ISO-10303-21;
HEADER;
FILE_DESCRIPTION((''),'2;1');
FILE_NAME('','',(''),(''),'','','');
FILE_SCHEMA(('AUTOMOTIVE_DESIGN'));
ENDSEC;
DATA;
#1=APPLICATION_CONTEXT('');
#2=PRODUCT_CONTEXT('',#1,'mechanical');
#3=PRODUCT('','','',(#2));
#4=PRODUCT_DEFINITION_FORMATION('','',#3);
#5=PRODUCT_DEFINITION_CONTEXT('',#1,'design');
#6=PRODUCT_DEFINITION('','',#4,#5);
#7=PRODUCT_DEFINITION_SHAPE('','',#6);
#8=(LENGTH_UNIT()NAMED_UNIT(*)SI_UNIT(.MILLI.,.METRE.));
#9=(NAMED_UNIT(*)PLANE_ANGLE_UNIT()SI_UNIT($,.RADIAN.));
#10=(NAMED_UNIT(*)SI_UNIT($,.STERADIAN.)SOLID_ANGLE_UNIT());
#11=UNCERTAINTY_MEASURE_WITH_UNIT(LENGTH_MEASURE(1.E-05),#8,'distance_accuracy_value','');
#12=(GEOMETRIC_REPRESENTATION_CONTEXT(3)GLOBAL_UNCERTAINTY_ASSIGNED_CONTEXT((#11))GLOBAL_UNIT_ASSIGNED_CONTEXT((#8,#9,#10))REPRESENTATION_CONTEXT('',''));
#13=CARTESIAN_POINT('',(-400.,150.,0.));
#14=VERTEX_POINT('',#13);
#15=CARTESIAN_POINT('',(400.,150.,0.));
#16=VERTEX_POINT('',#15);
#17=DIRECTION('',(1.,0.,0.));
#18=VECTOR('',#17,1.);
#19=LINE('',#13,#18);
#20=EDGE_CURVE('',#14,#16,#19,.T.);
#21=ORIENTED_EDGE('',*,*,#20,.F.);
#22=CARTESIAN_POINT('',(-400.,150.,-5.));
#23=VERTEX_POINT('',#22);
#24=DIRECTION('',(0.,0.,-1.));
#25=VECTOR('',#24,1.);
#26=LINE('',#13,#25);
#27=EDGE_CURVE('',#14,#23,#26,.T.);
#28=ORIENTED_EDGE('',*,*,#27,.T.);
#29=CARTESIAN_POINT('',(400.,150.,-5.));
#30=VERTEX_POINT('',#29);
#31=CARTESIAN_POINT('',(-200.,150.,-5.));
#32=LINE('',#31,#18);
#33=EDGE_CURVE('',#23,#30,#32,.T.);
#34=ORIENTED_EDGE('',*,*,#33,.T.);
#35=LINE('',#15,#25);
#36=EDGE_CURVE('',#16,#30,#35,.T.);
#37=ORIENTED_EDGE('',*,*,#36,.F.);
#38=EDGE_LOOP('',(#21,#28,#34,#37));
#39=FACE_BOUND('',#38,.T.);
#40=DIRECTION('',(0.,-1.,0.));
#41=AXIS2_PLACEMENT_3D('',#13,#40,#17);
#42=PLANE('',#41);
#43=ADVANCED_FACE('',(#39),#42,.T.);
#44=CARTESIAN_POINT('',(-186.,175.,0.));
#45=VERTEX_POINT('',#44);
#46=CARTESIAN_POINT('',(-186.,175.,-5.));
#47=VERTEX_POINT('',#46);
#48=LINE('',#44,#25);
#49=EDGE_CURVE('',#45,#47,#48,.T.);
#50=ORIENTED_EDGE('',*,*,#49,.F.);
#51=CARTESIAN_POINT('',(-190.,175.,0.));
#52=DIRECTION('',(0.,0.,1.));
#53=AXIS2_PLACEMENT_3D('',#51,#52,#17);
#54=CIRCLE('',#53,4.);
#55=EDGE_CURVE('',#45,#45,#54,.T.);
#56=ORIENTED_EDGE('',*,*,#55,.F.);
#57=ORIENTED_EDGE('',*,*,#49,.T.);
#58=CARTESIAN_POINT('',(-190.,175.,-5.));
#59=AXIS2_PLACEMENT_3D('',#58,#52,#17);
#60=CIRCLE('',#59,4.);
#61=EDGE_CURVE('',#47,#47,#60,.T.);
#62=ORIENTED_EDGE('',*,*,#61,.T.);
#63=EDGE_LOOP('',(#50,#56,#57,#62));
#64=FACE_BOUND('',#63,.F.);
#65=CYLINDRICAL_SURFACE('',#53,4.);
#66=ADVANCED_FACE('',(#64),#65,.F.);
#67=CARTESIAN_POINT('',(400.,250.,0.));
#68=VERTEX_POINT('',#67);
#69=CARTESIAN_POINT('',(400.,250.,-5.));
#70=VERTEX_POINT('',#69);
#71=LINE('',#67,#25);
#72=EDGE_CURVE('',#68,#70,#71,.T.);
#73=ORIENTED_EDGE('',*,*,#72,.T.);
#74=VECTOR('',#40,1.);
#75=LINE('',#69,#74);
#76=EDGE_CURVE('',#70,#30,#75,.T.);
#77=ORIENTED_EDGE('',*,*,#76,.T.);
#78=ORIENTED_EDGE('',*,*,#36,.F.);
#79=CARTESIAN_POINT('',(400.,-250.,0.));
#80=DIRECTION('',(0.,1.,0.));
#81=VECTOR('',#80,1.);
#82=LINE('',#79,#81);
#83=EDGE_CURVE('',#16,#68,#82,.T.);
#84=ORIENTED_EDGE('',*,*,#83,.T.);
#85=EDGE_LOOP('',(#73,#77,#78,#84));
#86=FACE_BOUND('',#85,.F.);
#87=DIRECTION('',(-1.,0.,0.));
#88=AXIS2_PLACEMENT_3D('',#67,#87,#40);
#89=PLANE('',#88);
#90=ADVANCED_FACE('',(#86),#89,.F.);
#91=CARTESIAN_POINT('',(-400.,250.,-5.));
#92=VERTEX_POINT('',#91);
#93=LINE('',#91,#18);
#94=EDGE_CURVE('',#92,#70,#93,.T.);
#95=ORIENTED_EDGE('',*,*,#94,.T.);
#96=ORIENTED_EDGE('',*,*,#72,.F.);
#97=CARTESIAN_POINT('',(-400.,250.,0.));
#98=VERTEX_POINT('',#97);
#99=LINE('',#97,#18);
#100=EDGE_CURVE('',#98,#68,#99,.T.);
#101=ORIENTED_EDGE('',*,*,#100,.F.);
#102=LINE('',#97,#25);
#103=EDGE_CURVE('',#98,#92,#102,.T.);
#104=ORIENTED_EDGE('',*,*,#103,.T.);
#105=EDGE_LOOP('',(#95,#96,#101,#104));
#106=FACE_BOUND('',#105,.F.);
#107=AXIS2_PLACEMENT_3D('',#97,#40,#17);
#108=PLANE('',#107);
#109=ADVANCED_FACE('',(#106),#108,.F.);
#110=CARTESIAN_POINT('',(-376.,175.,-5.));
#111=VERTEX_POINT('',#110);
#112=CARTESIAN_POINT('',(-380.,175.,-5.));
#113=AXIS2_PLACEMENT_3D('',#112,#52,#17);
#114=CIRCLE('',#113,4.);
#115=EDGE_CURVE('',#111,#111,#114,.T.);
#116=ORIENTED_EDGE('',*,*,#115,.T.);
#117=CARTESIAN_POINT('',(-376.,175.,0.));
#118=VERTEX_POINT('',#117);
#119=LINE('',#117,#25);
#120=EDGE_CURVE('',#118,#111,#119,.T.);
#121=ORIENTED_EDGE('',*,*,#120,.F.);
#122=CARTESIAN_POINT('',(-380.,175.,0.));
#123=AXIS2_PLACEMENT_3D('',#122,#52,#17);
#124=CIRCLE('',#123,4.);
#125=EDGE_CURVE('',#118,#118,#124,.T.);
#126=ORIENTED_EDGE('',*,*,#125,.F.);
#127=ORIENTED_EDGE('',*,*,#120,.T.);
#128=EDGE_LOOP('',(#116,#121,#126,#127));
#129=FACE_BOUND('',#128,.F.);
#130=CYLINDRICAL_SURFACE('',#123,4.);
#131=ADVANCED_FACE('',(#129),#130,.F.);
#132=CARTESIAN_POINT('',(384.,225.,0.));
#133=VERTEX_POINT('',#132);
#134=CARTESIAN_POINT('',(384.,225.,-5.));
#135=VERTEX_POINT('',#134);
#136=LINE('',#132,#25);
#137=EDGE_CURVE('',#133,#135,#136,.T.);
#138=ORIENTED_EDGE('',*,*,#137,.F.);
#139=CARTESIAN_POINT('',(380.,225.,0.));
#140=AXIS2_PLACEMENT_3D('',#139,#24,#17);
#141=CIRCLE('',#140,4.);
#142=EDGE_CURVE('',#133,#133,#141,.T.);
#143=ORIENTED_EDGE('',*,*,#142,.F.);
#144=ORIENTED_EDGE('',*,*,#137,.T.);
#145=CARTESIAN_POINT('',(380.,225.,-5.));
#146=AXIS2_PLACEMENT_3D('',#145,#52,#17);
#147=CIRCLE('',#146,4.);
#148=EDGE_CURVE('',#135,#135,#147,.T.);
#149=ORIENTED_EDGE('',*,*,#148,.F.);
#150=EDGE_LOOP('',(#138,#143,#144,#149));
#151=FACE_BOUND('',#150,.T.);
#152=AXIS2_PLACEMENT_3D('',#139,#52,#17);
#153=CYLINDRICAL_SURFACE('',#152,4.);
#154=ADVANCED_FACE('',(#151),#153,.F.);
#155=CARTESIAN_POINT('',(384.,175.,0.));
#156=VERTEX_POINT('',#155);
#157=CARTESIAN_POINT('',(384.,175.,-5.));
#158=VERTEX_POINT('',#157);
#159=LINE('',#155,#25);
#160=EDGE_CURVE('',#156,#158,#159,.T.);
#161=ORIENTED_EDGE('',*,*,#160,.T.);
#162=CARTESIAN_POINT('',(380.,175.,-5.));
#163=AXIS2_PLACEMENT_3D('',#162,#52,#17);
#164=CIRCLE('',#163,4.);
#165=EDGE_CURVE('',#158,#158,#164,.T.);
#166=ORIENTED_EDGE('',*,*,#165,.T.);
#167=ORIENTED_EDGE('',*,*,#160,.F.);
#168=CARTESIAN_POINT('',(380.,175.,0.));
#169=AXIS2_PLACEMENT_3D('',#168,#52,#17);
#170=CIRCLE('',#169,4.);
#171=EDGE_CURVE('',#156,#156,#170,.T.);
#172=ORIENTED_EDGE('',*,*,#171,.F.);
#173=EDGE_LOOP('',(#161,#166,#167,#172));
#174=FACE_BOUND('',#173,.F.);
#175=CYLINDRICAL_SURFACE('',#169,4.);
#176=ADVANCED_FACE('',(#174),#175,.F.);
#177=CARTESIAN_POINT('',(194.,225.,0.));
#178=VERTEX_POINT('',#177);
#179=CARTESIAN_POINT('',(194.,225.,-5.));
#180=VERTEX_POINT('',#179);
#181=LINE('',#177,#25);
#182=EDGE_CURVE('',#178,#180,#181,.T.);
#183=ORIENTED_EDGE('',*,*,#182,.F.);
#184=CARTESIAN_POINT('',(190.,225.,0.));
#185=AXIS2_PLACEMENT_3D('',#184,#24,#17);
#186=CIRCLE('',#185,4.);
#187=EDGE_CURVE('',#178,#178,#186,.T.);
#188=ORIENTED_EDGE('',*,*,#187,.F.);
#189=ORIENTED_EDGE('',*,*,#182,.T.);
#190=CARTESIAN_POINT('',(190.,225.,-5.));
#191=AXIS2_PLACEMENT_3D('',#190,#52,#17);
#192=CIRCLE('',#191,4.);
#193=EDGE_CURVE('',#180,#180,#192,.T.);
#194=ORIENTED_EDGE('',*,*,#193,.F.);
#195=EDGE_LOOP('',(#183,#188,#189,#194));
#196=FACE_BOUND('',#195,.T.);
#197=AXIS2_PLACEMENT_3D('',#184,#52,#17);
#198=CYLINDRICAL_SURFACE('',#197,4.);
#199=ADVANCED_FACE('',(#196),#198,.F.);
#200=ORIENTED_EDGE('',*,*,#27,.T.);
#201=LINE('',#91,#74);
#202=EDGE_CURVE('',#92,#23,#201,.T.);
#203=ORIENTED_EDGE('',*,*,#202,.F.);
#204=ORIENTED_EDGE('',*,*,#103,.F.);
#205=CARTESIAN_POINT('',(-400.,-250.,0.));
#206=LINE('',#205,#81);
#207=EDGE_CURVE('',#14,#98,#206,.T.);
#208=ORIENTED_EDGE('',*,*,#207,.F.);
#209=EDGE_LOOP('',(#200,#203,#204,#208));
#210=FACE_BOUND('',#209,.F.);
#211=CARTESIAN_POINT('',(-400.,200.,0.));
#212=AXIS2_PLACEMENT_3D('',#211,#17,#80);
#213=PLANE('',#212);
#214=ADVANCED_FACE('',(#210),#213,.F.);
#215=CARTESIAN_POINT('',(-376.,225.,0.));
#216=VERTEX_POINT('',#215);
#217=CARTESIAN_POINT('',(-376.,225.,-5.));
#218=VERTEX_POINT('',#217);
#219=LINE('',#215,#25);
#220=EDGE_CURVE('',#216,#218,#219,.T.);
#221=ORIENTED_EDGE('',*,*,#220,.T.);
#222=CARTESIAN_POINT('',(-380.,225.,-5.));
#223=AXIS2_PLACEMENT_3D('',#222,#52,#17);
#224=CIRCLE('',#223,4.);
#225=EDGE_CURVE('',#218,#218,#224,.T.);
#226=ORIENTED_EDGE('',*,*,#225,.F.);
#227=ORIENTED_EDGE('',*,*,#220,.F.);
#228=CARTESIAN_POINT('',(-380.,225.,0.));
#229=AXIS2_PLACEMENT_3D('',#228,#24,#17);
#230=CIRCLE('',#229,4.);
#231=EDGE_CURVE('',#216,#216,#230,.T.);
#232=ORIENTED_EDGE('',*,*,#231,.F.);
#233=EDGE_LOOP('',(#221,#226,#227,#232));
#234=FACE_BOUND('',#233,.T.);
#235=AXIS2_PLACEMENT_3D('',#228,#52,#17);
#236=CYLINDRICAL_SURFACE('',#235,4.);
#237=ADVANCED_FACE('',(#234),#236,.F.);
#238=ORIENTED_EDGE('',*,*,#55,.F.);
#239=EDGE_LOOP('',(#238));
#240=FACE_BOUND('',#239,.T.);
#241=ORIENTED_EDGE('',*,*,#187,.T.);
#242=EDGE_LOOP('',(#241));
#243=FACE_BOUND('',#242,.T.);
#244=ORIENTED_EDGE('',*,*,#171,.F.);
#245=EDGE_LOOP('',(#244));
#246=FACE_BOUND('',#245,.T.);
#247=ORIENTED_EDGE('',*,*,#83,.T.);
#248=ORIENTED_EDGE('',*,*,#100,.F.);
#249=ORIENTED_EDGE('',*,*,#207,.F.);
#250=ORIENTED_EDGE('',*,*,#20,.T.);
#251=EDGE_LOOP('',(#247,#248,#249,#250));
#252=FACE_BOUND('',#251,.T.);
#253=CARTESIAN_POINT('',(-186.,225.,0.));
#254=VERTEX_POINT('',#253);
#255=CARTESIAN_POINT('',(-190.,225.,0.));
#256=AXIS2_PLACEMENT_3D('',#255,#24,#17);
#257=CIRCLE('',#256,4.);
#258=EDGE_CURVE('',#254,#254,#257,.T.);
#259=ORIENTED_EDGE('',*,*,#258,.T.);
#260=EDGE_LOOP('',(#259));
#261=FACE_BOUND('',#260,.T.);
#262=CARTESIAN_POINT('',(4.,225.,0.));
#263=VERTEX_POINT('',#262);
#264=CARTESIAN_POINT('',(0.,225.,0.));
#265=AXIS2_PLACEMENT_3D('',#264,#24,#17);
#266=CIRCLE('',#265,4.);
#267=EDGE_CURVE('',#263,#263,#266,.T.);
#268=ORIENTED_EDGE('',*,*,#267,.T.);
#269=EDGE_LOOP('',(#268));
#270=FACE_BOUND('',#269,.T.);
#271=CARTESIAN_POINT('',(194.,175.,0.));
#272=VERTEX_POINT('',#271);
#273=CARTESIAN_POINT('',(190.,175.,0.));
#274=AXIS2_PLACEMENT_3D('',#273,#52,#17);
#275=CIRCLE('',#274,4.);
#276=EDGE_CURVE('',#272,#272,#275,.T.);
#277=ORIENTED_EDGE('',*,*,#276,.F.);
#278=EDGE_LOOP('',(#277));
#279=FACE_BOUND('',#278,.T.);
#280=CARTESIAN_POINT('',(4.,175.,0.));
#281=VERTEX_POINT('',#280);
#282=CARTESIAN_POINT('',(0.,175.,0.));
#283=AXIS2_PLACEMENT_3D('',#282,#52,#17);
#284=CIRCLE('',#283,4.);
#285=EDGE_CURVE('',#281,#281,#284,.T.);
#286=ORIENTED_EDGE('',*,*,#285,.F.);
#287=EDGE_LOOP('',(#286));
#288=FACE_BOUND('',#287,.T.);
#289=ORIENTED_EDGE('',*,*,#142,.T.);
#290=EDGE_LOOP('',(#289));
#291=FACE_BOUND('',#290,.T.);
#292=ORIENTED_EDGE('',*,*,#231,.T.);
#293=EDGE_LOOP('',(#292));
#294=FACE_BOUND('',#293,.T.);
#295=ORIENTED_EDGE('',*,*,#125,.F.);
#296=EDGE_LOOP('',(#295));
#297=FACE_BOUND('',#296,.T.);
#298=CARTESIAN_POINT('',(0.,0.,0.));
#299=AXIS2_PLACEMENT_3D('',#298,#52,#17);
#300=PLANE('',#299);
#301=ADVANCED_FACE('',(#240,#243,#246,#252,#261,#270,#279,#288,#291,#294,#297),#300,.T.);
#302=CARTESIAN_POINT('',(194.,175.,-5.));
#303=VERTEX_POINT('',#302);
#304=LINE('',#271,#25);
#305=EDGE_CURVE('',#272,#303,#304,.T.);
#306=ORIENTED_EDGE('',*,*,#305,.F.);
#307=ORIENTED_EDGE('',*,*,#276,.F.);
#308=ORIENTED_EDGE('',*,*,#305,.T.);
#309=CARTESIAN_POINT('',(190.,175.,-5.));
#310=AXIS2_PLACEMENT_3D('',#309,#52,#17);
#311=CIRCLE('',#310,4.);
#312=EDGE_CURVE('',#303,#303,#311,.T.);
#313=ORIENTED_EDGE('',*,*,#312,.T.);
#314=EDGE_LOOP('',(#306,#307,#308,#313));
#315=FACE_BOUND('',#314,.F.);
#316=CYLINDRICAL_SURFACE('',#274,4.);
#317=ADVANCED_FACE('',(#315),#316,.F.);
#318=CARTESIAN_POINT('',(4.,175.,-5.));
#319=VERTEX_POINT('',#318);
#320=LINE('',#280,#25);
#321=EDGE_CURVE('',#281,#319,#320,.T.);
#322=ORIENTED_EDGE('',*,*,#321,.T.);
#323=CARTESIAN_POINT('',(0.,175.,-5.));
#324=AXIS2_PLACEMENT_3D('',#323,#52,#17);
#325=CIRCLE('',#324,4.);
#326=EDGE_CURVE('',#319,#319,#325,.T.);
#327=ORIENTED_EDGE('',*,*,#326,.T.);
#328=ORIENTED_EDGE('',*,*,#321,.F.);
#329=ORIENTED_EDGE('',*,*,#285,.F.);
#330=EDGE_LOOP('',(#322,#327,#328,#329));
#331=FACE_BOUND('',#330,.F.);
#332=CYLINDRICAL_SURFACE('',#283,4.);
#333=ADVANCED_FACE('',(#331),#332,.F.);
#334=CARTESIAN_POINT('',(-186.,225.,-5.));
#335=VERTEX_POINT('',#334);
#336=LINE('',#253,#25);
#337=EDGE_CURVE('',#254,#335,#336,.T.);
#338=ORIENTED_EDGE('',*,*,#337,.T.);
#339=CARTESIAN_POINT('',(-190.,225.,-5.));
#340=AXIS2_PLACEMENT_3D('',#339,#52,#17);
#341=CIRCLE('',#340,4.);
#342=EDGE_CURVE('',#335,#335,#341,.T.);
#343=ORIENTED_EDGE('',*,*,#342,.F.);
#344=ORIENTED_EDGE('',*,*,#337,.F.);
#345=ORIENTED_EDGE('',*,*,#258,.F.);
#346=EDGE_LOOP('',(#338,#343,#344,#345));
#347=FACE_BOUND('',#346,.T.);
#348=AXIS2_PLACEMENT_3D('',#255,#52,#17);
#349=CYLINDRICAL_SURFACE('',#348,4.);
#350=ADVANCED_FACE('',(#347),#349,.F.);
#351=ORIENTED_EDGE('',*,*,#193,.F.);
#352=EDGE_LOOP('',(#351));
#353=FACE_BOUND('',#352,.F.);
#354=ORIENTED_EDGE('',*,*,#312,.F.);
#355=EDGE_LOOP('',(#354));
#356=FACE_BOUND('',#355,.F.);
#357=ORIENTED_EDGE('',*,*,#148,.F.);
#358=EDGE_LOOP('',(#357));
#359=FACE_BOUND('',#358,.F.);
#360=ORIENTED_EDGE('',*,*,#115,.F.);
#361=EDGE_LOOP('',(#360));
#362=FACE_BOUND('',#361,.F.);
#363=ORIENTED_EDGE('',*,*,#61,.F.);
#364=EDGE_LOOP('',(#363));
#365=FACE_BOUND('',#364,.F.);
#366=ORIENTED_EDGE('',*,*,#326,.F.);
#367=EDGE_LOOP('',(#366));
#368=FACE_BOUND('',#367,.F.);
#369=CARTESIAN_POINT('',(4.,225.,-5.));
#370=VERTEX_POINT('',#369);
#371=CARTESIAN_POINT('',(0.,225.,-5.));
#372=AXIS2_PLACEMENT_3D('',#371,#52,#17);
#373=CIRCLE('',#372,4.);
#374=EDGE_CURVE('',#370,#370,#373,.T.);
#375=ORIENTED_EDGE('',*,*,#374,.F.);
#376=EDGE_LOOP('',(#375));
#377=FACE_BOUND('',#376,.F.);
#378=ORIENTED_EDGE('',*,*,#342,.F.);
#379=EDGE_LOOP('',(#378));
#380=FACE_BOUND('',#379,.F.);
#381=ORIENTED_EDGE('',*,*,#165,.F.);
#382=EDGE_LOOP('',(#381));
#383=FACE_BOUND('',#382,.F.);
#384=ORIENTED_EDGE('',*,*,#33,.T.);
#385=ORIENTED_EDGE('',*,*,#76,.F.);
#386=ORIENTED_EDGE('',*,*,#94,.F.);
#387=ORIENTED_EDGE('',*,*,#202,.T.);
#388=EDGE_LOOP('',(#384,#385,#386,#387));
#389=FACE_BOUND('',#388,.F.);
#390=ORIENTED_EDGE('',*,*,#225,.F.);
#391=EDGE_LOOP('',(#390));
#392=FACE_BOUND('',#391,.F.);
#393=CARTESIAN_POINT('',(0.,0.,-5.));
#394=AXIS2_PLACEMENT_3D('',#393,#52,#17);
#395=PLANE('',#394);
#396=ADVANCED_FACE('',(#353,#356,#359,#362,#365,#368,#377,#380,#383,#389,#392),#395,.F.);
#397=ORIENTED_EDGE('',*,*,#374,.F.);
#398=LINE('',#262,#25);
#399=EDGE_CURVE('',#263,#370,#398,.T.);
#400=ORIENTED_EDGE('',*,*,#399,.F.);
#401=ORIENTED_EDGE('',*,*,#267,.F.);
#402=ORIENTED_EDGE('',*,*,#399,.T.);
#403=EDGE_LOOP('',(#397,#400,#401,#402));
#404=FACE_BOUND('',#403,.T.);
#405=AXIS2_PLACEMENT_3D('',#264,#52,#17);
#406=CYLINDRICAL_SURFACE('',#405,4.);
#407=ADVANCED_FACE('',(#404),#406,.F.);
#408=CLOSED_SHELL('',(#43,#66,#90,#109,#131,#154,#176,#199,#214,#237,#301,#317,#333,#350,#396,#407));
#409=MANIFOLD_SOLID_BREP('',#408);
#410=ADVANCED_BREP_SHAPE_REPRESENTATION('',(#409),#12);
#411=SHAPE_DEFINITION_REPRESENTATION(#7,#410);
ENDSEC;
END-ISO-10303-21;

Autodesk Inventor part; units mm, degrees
ref_plane "YZ Plane" through (0, 0, 0) normal (1, 0, 0) x (0, 1, 0)
ref_plane "XZ Plane" through (0, 0, 0) normal (0, 1, 0) x (-1, 0, 0)
ref_plane "XY Plane" through (0, 0, 0) normal (0, 0, 1) x (1, 0, 0)
sketch "base_layout_sketch" plane through (0, 0, 0) normal (0, 0, 1) x (1, 0, 0)
  line L0 (-400, 200) -> (400, 200)
  line L1 (400, 200) -> (400, -200)
  line L2 (400, -200) -> (-400, -200)
  line L3 (-400, -200) -> (-400, 200)
  line L4 (0, 200) -> (0, -200) construction
  line L5 (-400, 150) -> (400, 150)
  line L6 (400, 150) -> (400, -150)
  line L7 (400, -150) -> (-400, -150)
  line L8 (-400, -150) -> (-400, 150)
  line L9 (0, 150) -> (0, -150) construction
  line L10 (-400, 250) -> (400, 250)
  line L11 (400, 250) -> (400, -250)
  line L12 (400, -250) -> (-400, -250)
  line L13 (-400, -250) -> (-400, 250)
  line L14 (0, 250) -> (0, -250) construction
  point P0 (0, 0)
  point P1 (0, 0)
  point P2 (-400, 200)
  point P3 (-400, -200)
  point P4 (400, -200)
  point P5 (400, 200)
  dimension "d0" = 400
  dimension "d1" = 800
  dimension "d2" = 300
  dimension "d4" = 500
sketch "bolt_holes_sketch" plane through (0, 0, 0) normal (0, 0, 1) x (1, 0, 0)
  circle A0 centre (-380, 175) radius 4
  line L0 (-400, 250) -> (400, 250) projected
  line L1 (-400, -250) -> (-400, 250) projected
  line L2 (-560, 0) -> (560, 0) projected
  point P0 (0, 0)
  dimension "d3" = 8
  dimension "d6" = 20
  dimension "d21" = 175
extrude "sheet_visualisation" add sketch "base_layout_sketch" against normal blind 5
extrude "bolt_holes Cut" cut sketch "bolt_holes_sketch" against normal through all
pattern_linear "bolt_holes_upper Pattern" count 5 spacing 190 along (1, 0, 0) of "bolt_holes Cut"
mirror "bolt_holes Mirror" about plane through (0, 0, 0) normal (0, 1, 0) of "bolt_holes Cut", "bolt_holes_upper Pattern"
ref_plane "Work Plane1" through (-400, 200, 0) normal (0, -1, 0) x (1, 0, 0)
mirror "Mirror2" about plane through (-400, 200, 0) normal (0, -1, 0) of "bolt_holes Cut", "bolt_holes_upper Pattern"
sketch "Sketch3" plane through (0, 0, 0) normal (0, 0, 1) x (1, 0, 0)
  line L0 (400, -250) -> (400, 250) projected
  line L1 (-400, 250) -> (-400, -250) projected
  line L2 (400, -250) -> (-400, -250)
  line L3 (-400, -250) -> (-400, 150)
  line L4 (-400, 150) -> (400, 150)
  line L5 (400, 150) -> (400, -250)
  point P0 (0, 0)
  dimension "d27" = 400
extrude "Extrusion3" cut sketch "Sketch3" against normal blind 9.5
equation "\"d0\" = layer_width"
equation "\"d1\" = track_length"
equation "\"d2\" = track_width"
equation "\"d4\" = real_sheet_width"
equation "\"d3\" = bolt_diameter"
equation "\"d6\" = x_offset_for_bolts"
equation "\"d21\" = y_offset_for_bolts"
equation "\"d14\" = sheet_thickness"
equation "\"track_length\" = 800"
equation "\"layer_width\" = 400"
equation "\"bolt_diameter\" = 8"
equation "\"real_sheet_width\" = 500"
equation "\"x_offset_for_bolts\" = 20"
equation "\"y_offset_for_bolts\" = 175"
equation "\"sheet_thickness\" = 5"
equation "\"track_width\" = 300"
equation "\"ferrite_length\" = 109"
equation "\"ferrite_width\" = 15"
equation "\"ferrite_height\" = 8"
equation "\"edge_gap_distance\" = 14.5"
equation "\"wire_diameter\" = 4.5"
equation "\"distance_between_wires\" = -1.2 * wire_diameter + 0.2 * parameter_6"
equation "\"distance_between_wires_edge\" = -1.5 * wire_diameter + 0.5 * parameter_2"
equation "\"bend_radius_inner\" = 15"
equation "\"wall_thickness\" = 25"
equation "\"parameter_6\" = 120"
equation "\"parameter_2\" = 30"
properties part number "bolt_holess_for_double_guides"
